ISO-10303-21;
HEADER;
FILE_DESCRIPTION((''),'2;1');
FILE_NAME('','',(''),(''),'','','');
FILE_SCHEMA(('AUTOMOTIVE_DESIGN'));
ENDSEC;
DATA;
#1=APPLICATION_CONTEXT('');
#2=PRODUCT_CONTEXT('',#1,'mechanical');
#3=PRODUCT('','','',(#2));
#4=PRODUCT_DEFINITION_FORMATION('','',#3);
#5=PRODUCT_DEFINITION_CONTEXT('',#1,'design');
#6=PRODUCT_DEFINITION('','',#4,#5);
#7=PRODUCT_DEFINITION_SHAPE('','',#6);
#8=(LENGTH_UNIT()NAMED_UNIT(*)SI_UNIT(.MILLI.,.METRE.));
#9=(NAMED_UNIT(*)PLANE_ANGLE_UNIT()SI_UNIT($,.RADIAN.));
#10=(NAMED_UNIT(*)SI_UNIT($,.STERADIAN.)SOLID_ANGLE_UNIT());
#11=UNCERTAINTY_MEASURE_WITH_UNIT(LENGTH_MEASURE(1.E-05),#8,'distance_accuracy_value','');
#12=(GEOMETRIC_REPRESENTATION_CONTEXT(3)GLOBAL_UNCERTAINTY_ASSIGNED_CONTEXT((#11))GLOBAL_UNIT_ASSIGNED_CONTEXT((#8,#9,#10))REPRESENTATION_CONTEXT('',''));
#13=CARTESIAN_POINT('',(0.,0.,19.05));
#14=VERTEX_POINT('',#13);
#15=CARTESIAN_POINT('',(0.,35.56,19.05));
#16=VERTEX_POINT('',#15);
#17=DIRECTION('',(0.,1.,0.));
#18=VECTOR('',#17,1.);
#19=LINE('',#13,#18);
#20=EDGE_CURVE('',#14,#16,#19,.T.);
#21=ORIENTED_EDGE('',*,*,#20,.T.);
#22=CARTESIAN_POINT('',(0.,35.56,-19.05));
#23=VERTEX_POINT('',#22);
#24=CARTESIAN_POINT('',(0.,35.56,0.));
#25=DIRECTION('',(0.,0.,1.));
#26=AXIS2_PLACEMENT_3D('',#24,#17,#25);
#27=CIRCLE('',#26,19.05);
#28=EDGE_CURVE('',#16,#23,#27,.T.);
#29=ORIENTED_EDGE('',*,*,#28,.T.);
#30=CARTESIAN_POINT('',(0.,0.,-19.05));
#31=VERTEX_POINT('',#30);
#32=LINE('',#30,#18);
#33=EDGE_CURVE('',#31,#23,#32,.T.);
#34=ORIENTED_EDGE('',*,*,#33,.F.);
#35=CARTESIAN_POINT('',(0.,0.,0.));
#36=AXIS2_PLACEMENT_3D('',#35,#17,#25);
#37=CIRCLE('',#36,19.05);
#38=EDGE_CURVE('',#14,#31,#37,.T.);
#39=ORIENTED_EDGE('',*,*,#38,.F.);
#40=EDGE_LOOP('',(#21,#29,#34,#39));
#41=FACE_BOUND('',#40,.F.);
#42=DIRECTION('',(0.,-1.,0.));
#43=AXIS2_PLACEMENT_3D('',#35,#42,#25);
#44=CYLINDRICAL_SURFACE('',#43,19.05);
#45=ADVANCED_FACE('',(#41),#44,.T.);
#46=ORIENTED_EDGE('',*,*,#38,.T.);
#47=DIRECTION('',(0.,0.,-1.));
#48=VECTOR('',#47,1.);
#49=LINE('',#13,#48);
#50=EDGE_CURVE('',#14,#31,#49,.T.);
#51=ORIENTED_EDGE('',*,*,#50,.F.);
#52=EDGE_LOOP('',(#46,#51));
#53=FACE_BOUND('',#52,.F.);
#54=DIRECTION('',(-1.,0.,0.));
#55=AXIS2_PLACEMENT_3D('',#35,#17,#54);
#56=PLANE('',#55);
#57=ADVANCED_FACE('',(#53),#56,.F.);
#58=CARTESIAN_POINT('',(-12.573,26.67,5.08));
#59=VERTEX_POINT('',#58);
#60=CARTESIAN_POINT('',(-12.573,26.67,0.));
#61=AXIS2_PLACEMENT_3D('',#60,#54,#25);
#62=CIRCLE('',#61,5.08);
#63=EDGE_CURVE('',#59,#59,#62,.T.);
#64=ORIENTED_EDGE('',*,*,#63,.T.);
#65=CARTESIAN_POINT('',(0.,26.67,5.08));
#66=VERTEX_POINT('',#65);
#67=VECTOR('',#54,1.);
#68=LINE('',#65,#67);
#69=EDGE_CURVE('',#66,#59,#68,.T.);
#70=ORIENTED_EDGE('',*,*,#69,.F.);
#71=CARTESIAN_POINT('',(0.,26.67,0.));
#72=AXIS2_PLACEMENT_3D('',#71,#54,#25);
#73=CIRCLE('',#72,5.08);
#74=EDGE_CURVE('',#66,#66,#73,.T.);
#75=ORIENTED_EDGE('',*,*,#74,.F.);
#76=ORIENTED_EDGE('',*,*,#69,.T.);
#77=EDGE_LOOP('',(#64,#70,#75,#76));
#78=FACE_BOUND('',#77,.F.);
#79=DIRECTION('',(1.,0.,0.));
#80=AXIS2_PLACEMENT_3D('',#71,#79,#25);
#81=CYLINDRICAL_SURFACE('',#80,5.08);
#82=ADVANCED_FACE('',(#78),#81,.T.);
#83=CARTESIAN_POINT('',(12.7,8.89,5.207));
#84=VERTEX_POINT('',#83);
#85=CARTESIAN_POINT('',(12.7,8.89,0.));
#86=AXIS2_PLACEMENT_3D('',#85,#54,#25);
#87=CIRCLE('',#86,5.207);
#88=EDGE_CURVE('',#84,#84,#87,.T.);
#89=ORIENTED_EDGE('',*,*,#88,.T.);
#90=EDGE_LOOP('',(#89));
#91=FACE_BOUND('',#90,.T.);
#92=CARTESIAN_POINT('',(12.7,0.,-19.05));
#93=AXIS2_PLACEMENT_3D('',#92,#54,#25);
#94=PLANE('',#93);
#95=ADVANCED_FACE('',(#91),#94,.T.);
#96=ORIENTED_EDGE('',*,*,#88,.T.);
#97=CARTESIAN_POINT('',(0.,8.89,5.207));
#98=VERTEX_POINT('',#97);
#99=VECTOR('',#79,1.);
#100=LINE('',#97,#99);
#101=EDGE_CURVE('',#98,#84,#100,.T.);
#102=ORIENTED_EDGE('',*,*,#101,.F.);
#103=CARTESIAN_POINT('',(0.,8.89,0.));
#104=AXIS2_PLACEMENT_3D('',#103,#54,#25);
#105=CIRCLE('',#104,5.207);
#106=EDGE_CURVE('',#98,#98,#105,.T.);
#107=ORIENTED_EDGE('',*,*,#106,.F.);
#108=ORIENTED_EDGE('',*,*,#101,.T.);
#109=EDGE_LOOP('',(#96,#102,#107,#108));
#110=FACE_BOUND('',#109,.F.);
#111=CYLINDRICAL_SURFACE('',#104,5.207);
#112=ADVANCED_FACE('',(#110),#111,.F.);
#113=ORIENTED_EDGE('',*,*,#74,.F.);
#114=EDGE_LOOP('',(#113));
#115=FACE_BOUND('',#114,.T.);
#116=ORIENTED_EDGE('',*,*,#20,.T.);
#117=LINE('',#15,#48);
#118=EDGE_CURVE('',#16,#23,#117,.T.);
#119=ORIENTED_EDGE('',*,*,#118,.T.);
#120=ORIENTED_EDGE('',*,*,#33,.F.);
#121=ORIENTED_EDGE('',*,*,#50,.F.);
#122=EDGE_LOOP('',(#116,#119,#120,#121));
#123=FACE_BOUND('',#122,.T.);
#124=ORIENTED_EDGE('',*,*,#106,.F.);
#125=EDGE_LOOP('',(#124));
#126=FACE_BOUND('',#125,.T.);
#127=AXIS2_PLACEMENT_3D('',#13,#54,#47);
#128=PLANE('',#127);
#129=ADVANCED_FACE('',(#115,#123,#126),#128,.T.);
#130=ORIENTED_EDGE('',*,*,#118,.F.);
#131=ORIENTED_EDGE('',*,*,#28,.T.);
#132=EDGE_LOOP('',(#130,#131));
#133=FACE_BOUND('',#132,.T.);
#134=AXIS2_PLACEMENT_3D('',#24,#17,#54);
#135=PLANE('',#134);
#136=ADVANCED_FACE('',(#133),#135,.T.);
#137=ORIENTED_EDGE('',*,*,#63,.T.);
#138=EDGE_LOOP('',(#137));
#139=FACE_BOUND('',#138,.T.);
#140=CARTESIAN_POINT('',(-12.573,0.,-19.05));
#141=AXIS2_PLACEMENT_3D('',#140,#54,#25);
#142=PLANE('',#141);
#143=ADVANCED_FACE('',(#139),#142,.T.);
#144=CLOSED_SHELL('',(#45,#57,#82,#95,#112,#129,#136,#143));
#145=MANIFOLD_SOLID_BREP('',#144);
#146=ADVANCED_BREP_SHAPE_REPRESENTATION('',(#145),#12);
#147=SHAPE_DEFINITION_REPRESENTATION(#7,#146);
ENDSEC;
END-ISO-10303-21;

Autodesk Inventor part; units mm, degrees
ref_plane "YZ Plane" through (0, 0, 0) normal (1, 0, 0) x (0, 1, 0)
ref_plane "XZ Plane" through (0, 0, 0) normal (0, 1, 0) x (-1, 0, 0)
ref_plane "XY Plane" through (0, 0, 0) normal (0, 0, 1) x (1, 0, 0)
sketch "Sketch1" plane through (0, 0, 0) normal (0, 1, 0) x (-1, 0, 0)
  arc A0 (0, 19.05) -> (0, -19.05) centre (0, 0) ccw
  line L0 (0, 19.05) -> (0, -19.05)
  dimension "d0" = 38.1
extrude "Extrusion1" add sketch "Sketch1" along normal blind 35.56
sketch "Sketch2" plane through (0, 0, -19.05) normal (-1, 0, 0) x (0, 0, 1)
  line L0 (0, 35.56) -> (38.1, 35.56) projected
  line L1 (0, 0) -> (0, 35.56) projected
  circle A0 centre (19.05, 26.67) radius 5.08
  circle A1 centre (19.05, 8.89) radius 5.207
  point P0 (19.05, 0)
  dimension "d6" = 10.414
extrude "Extrusion2" cut sketch "Sketch2" against normal blind 12.7 contours A1
extrude "Extrusion3" add sketch "Sketch2" along normal blind 12.573 contours A0
properties part number "Piston Mold"
